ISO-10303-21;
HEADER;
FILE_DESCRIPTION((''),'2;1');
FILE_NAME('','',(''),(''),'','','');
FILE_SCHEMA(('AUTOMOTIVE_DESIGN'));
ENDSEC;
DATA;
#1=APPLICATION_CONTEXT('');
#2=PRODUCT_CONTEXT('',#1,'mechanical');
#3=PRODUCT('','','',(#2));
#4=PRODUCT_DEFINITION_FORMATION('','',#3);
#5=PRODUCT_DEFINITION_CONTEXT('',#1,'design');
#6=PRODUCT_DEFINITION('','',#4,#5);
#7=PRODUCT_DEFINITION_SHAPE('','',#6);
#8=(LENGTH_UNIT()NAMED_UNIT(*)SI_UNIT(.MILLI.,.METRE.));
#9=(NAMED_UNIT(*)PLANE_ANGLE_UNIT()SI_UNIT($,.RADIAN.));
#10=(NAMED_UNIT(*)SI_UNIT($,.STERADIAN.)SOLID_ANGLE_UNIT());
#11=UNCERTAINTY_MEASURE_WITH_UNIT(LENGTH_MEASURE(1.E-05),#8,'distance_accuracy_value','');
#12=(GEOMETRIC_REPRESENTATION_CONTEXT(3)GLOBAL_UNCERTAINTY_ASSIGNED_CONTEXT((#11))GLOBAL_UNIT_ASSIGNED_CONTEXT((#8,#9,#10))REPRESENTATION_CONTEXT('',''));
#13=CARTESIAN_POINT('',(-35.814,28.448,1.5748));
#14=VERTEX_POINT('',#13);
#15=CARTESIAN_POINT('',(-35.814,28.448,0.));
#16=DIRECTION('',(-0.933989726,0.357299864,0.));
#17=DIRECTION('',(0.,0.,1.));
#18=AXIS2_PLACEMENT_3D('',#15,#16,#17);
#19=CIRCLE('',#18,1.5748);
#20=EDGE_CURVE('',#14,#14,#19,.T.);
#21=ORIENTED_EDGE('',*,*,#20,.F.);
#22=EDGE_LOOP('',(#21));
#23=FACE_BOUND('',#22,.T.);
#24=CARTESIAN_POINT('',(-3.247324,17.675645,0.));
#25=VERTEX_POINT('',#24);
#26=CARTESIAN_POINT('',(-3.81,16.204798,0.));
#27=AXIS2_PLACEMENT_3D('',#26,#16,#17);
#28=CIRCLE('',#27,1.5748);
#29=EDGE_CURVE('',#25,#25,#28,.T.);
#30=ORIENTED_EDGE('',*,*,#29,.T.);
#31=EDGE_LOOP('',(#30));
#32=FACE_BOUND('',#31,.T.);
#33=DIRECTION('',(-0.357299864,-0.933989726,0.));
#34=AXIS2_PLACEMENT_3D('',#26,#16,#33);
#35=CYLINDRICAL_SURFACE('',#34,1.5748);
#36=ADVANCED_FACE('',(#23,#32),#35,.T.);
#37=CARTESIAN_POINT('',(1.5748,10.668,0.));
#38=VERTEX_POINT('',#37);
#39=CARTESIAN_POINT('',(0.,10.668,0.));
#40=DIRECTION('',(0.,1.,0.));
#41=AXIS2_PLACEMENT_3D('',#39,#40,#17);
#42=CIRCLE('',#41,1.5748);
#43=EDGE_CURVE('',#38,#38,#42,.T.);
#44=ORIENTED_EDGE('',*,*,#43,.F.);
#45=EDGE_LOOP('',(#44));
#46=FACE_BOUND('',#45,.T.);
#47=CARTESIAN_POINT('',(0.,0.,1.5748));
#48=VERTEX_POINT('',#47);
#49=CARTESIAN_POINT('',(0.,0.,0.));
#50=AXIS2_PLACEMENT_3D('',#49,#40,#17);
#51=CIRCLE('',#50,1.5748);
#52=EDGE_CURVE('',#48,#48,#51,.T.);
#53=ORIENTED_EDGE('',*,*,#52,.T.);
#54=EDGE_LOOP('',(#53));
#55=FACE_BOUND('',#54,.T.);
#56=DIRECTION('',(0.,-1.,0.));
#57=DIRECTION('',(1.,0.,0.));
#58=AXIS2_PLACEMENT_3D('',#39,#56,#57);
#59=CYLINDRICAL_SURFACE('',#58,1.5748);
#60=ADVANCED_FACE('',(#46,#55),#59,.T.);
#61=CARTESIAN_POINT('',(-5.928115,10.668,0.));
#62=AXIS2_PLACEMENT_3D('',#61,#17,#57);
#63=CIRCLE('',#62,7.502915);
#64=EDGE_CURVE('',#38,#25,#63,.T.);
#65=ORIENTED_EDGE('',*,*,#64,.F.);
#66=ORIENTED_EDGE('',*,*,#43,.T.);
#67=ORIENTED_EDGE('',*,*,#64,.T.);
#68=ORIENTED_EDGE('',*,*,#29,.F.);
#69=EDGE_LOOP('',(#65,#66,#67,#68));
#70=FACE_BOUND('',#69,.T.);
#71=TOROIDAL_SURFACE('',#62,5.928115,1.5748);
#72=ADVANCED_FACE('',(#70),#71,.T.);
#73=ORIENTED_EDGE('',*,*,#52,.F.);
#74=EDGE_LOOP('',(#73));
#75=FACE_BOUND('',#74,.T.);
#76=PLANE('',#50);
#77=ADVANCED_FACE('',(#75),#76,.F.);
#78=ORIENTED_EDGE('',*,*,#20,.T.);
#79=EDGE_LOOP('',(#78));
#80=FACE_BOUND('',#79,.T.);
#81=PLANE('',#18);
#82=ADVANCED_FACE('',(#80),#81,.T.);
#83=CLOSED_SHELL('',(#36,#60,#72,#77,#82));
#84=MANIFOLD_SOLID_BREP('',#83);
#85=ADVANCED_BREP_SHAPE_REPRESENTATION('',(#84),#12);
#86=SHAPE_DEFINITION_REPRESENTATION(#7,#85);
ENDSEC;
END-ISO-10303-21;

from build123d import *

# Parameters (mm, degrees)
SKETCH2_R = 1.5748


with BuildPart() as part:
    # Sweep1: sweep along a path in Sketch1
    with BuildLine(Plane.XY) as sweep1_path:
        Line((-35.814, 28.448), (-3.81, 16.204798039))
        ThreePointArc((-3.81, 16.204798039), (-1.044521212, 14.028514564), (0, 10.668))
        Line((0, 10.668), (0, 0))
    # Sketch2 → Sweep1 (sweep)
    with BuildSketch(Plane(origin=(0, 0, 0), x_dir=(1, 0, 0), z_dir=(0, 1, 0))):
        Circle(SKETCH2_R)
    sweep(path=sweep1_path.line)


solid = part.part
